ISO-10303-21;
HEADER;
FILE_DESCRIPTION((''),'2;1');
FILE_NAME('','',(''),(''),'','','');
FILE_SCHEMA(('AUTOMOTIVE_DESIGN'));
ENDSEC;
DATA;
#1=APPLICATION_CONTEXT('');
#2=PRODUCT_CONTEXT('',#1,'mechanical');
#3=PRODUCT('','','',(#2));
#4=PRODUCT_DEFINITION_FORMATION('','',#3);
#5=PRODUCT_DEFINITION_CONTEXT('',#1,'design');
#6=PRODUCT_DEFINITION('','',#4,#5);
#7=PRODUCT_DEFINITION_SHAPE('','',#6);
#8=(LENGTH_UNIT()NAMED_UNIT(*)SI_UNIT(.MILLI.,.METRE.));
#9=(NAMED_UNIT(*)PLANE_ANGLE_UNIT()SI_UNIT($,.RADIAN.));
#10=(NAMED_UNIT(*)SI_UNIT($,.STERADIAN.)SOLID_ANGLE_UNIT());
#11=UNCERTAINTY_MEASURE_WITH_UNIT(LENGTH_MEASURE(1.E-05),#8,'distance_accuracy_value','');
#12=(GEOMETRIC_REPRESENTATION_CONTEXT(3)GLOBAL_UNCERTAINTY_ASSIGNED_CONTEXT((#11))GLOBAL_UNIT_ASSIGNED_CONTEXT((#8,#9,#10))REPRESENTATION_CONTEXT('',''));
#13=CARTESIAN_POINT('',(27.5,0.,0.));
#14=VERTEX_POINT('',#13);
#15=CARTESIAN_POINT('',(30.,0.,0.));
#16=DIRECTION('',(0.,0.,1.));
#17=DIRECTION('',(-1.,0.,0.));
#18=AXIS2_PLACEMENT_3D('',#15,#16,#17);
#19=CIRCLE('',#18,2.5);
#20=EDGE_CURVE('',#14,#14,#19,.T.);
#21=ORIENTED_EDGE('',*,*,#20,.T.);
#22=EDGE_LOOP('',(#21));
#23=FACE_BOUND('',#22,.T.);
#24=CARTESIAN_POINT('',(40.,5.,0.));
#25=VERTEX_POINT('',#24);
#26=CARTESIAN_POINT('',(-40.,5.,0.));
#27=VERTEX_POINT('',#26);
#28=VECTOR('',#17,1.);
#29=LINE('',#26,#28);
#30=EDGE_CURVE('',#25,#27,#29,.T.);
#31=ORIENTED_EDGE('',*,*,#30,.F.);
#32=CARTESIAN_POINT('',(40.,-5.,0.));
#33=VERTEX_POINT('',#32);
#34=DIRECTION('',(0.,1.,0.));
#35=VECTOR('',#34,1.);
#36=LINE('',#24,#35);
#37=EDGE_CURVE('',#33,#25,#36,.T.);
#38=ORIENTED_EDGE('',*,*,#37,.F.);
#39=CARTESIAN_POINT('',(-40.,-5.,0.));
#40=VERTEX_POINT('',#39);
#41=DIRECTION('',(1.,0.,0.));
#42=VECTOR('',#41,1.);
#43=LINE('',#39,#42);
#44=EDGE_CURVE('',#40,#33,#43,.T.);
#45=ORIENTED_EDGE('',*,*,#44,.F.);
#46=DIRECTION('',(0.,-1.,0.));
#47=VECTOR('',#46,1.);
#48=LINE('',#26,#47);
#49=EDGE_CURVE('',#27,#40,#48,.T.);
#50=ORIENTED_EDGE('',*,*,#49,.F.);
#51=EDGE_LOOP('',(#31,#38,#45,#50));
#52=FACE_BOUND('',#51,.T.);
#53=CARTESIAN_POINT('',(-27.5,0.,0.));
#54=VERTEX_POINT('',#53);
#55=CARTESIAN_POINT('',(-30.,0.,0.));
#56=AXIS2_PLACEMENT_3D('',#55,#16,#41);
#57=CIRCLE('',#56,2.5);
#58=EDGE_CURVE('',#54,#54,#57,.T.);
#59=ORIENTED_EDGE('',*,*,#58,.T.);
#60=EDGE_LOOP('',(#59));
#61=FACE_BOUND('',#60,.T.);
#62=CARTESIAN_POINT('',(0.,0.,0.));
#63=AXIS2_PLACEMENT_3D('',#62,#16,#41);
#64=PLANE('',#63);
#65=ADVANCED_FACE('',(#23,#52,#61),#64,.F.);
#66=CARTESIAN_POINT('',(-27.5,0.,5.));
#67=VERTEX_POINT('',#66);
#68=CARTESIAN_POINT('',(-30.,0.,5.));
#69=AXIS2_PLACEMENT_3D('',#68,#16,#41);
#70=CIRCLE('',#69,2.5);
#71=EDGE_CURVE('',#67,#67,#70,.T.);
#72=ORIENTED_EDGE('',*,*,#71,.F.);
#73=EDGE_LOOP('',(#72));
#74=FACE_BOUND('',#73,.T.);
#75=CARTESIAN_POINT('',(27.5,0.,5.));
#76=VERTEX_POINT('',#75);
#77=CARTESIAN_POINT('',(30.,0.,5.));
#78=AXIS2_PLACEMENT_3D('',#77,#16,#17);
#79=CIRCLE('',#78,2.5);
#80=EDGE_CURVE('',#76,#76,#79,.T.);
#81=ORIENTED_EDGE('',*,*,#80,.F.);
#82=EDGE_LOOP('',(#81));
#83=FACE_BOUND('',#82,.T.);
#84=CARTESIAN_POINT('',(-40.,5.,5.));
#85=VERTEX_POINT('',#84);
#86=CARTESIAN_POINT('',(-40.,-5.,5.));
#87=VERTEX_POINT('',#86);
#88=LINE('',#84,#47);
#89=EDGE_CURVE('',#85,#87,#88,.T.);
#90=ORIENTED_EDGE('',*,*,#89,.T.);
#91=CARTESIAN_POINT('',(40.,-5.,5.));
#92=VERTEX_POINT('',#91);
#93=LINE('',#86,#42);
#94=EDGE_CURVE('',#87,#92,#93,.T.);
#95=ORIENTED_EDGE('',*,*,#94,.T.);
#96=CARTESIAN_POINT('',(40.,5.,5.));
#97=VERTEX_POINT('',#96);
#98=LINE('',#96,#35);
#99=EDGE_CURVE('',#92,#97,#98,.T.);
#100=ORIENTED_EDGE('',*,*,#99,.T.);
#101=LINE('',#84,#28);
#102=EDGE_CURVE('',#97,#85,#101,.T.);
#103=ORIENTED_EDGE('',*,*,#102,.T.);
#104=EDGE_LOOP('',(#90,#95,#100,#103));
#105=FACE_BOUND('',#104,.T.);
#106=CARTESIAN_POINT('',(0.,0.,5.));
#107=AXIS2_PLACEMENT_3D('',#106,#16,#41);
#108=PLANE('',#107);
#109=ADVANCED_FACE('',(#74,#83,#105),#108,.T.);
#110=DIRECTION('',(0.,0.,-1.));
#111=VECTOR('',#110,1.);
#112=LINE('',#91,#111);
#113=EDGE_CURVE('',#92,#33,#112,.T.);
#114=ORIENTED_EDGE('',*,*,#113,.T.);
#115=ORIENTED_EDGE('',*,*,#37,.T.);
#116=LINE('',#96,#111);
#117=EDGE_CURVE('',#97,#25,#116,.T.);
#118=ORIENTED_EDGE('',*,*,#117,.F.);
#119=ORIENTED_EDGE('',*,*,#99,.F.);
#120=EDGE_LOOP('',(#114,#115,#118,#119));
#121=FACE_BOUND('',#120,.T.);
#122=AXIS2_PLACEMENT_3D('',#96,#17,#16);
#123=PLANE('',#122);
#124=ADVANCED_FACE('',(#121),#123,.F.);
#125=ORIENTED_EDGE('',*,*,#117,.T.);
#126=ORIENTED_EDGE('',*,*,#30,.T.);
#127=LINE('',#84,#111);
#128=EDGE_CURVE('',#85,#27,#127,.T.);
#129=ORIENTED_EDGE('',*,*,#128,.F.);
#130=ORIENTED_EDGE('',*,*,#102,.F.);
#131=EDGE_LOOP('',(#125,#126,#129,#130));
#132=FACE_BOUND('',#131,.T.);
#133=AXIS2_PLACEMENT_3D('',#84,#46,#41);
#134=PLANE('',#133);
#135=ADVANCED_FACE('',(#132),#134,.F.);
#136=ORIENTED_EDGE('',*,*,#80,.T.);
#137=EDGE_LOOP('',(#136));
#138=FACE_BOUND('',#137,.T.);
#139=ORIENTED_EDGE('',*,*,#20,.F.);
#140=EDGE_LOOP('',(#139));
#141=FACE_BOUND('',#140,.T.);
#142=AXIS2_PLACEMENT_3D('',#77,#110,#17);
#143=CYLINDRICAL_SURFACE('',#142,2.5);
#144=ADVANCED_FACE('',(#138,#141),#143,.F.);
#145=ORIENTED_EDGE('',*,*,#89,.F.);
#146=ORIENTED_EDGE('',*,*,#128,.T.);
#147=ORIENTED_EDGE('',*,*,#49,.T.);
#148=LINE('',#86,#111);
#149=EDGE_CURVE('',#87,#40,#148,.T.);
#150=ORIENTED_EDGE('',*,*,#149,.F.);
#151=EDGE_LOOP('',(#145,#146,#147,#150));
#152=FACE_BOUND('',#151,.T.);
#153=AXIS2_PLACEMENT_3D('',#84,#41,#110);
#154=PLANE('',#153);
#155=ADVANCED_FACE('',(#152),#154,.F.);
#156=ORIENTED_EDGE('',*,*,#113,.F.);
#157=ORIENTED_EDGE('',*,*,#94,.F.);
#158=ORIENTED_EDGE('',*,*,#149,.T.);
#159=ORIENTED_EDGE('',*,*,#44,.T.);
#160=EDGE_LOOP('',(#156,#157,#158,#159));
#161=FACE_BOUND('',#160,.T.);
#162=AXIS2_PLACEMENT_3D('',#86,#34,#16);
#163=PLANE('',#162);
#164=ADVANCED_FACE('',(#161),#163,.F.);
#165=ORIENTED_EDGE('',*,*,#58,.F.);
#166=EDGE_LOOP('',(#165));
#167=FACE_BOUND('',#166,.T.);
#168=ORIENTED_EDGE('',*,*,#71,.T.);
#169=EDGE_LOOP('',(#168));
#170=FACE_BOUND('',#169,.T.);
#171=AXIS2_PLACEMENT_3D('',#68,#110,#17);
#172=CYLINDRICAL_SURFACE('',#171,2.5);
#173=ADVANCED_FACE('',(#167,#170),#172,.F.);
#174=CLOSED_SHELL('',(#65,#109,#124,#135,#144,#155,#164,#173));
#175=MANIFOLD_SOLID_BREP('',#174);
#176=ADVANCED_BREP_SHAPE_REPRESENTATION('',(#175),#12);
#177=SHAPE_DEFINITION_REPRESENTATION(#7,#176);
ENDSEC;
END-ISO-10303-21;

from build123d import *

# Parameters (mm, degrees)
SKETCH1_W           = 80
SKETCH1_H           = 10
SKETCH1_R           = 2.5
BOSS_EXTRUDE1_DEPTH = 5


with BuildPart() as part:
    # Sketch1 → Boss-Extrude1 (new body)
    with BuildSketch(Plane.XY):
        Rectangle(SKETCH1_W, SKETCH1_H)
        with Locations((-30, 0)):
            Circle(SKETCH1_R, mode=Mode.SUBTRACT)
        with Locations((30, 0)):
            Circle(SKETCH1_R, mode=Mode.SUBTRACT)
    extrude(amount=BOSS_EXTRUDE1_DEPTH)


solid = part.part
